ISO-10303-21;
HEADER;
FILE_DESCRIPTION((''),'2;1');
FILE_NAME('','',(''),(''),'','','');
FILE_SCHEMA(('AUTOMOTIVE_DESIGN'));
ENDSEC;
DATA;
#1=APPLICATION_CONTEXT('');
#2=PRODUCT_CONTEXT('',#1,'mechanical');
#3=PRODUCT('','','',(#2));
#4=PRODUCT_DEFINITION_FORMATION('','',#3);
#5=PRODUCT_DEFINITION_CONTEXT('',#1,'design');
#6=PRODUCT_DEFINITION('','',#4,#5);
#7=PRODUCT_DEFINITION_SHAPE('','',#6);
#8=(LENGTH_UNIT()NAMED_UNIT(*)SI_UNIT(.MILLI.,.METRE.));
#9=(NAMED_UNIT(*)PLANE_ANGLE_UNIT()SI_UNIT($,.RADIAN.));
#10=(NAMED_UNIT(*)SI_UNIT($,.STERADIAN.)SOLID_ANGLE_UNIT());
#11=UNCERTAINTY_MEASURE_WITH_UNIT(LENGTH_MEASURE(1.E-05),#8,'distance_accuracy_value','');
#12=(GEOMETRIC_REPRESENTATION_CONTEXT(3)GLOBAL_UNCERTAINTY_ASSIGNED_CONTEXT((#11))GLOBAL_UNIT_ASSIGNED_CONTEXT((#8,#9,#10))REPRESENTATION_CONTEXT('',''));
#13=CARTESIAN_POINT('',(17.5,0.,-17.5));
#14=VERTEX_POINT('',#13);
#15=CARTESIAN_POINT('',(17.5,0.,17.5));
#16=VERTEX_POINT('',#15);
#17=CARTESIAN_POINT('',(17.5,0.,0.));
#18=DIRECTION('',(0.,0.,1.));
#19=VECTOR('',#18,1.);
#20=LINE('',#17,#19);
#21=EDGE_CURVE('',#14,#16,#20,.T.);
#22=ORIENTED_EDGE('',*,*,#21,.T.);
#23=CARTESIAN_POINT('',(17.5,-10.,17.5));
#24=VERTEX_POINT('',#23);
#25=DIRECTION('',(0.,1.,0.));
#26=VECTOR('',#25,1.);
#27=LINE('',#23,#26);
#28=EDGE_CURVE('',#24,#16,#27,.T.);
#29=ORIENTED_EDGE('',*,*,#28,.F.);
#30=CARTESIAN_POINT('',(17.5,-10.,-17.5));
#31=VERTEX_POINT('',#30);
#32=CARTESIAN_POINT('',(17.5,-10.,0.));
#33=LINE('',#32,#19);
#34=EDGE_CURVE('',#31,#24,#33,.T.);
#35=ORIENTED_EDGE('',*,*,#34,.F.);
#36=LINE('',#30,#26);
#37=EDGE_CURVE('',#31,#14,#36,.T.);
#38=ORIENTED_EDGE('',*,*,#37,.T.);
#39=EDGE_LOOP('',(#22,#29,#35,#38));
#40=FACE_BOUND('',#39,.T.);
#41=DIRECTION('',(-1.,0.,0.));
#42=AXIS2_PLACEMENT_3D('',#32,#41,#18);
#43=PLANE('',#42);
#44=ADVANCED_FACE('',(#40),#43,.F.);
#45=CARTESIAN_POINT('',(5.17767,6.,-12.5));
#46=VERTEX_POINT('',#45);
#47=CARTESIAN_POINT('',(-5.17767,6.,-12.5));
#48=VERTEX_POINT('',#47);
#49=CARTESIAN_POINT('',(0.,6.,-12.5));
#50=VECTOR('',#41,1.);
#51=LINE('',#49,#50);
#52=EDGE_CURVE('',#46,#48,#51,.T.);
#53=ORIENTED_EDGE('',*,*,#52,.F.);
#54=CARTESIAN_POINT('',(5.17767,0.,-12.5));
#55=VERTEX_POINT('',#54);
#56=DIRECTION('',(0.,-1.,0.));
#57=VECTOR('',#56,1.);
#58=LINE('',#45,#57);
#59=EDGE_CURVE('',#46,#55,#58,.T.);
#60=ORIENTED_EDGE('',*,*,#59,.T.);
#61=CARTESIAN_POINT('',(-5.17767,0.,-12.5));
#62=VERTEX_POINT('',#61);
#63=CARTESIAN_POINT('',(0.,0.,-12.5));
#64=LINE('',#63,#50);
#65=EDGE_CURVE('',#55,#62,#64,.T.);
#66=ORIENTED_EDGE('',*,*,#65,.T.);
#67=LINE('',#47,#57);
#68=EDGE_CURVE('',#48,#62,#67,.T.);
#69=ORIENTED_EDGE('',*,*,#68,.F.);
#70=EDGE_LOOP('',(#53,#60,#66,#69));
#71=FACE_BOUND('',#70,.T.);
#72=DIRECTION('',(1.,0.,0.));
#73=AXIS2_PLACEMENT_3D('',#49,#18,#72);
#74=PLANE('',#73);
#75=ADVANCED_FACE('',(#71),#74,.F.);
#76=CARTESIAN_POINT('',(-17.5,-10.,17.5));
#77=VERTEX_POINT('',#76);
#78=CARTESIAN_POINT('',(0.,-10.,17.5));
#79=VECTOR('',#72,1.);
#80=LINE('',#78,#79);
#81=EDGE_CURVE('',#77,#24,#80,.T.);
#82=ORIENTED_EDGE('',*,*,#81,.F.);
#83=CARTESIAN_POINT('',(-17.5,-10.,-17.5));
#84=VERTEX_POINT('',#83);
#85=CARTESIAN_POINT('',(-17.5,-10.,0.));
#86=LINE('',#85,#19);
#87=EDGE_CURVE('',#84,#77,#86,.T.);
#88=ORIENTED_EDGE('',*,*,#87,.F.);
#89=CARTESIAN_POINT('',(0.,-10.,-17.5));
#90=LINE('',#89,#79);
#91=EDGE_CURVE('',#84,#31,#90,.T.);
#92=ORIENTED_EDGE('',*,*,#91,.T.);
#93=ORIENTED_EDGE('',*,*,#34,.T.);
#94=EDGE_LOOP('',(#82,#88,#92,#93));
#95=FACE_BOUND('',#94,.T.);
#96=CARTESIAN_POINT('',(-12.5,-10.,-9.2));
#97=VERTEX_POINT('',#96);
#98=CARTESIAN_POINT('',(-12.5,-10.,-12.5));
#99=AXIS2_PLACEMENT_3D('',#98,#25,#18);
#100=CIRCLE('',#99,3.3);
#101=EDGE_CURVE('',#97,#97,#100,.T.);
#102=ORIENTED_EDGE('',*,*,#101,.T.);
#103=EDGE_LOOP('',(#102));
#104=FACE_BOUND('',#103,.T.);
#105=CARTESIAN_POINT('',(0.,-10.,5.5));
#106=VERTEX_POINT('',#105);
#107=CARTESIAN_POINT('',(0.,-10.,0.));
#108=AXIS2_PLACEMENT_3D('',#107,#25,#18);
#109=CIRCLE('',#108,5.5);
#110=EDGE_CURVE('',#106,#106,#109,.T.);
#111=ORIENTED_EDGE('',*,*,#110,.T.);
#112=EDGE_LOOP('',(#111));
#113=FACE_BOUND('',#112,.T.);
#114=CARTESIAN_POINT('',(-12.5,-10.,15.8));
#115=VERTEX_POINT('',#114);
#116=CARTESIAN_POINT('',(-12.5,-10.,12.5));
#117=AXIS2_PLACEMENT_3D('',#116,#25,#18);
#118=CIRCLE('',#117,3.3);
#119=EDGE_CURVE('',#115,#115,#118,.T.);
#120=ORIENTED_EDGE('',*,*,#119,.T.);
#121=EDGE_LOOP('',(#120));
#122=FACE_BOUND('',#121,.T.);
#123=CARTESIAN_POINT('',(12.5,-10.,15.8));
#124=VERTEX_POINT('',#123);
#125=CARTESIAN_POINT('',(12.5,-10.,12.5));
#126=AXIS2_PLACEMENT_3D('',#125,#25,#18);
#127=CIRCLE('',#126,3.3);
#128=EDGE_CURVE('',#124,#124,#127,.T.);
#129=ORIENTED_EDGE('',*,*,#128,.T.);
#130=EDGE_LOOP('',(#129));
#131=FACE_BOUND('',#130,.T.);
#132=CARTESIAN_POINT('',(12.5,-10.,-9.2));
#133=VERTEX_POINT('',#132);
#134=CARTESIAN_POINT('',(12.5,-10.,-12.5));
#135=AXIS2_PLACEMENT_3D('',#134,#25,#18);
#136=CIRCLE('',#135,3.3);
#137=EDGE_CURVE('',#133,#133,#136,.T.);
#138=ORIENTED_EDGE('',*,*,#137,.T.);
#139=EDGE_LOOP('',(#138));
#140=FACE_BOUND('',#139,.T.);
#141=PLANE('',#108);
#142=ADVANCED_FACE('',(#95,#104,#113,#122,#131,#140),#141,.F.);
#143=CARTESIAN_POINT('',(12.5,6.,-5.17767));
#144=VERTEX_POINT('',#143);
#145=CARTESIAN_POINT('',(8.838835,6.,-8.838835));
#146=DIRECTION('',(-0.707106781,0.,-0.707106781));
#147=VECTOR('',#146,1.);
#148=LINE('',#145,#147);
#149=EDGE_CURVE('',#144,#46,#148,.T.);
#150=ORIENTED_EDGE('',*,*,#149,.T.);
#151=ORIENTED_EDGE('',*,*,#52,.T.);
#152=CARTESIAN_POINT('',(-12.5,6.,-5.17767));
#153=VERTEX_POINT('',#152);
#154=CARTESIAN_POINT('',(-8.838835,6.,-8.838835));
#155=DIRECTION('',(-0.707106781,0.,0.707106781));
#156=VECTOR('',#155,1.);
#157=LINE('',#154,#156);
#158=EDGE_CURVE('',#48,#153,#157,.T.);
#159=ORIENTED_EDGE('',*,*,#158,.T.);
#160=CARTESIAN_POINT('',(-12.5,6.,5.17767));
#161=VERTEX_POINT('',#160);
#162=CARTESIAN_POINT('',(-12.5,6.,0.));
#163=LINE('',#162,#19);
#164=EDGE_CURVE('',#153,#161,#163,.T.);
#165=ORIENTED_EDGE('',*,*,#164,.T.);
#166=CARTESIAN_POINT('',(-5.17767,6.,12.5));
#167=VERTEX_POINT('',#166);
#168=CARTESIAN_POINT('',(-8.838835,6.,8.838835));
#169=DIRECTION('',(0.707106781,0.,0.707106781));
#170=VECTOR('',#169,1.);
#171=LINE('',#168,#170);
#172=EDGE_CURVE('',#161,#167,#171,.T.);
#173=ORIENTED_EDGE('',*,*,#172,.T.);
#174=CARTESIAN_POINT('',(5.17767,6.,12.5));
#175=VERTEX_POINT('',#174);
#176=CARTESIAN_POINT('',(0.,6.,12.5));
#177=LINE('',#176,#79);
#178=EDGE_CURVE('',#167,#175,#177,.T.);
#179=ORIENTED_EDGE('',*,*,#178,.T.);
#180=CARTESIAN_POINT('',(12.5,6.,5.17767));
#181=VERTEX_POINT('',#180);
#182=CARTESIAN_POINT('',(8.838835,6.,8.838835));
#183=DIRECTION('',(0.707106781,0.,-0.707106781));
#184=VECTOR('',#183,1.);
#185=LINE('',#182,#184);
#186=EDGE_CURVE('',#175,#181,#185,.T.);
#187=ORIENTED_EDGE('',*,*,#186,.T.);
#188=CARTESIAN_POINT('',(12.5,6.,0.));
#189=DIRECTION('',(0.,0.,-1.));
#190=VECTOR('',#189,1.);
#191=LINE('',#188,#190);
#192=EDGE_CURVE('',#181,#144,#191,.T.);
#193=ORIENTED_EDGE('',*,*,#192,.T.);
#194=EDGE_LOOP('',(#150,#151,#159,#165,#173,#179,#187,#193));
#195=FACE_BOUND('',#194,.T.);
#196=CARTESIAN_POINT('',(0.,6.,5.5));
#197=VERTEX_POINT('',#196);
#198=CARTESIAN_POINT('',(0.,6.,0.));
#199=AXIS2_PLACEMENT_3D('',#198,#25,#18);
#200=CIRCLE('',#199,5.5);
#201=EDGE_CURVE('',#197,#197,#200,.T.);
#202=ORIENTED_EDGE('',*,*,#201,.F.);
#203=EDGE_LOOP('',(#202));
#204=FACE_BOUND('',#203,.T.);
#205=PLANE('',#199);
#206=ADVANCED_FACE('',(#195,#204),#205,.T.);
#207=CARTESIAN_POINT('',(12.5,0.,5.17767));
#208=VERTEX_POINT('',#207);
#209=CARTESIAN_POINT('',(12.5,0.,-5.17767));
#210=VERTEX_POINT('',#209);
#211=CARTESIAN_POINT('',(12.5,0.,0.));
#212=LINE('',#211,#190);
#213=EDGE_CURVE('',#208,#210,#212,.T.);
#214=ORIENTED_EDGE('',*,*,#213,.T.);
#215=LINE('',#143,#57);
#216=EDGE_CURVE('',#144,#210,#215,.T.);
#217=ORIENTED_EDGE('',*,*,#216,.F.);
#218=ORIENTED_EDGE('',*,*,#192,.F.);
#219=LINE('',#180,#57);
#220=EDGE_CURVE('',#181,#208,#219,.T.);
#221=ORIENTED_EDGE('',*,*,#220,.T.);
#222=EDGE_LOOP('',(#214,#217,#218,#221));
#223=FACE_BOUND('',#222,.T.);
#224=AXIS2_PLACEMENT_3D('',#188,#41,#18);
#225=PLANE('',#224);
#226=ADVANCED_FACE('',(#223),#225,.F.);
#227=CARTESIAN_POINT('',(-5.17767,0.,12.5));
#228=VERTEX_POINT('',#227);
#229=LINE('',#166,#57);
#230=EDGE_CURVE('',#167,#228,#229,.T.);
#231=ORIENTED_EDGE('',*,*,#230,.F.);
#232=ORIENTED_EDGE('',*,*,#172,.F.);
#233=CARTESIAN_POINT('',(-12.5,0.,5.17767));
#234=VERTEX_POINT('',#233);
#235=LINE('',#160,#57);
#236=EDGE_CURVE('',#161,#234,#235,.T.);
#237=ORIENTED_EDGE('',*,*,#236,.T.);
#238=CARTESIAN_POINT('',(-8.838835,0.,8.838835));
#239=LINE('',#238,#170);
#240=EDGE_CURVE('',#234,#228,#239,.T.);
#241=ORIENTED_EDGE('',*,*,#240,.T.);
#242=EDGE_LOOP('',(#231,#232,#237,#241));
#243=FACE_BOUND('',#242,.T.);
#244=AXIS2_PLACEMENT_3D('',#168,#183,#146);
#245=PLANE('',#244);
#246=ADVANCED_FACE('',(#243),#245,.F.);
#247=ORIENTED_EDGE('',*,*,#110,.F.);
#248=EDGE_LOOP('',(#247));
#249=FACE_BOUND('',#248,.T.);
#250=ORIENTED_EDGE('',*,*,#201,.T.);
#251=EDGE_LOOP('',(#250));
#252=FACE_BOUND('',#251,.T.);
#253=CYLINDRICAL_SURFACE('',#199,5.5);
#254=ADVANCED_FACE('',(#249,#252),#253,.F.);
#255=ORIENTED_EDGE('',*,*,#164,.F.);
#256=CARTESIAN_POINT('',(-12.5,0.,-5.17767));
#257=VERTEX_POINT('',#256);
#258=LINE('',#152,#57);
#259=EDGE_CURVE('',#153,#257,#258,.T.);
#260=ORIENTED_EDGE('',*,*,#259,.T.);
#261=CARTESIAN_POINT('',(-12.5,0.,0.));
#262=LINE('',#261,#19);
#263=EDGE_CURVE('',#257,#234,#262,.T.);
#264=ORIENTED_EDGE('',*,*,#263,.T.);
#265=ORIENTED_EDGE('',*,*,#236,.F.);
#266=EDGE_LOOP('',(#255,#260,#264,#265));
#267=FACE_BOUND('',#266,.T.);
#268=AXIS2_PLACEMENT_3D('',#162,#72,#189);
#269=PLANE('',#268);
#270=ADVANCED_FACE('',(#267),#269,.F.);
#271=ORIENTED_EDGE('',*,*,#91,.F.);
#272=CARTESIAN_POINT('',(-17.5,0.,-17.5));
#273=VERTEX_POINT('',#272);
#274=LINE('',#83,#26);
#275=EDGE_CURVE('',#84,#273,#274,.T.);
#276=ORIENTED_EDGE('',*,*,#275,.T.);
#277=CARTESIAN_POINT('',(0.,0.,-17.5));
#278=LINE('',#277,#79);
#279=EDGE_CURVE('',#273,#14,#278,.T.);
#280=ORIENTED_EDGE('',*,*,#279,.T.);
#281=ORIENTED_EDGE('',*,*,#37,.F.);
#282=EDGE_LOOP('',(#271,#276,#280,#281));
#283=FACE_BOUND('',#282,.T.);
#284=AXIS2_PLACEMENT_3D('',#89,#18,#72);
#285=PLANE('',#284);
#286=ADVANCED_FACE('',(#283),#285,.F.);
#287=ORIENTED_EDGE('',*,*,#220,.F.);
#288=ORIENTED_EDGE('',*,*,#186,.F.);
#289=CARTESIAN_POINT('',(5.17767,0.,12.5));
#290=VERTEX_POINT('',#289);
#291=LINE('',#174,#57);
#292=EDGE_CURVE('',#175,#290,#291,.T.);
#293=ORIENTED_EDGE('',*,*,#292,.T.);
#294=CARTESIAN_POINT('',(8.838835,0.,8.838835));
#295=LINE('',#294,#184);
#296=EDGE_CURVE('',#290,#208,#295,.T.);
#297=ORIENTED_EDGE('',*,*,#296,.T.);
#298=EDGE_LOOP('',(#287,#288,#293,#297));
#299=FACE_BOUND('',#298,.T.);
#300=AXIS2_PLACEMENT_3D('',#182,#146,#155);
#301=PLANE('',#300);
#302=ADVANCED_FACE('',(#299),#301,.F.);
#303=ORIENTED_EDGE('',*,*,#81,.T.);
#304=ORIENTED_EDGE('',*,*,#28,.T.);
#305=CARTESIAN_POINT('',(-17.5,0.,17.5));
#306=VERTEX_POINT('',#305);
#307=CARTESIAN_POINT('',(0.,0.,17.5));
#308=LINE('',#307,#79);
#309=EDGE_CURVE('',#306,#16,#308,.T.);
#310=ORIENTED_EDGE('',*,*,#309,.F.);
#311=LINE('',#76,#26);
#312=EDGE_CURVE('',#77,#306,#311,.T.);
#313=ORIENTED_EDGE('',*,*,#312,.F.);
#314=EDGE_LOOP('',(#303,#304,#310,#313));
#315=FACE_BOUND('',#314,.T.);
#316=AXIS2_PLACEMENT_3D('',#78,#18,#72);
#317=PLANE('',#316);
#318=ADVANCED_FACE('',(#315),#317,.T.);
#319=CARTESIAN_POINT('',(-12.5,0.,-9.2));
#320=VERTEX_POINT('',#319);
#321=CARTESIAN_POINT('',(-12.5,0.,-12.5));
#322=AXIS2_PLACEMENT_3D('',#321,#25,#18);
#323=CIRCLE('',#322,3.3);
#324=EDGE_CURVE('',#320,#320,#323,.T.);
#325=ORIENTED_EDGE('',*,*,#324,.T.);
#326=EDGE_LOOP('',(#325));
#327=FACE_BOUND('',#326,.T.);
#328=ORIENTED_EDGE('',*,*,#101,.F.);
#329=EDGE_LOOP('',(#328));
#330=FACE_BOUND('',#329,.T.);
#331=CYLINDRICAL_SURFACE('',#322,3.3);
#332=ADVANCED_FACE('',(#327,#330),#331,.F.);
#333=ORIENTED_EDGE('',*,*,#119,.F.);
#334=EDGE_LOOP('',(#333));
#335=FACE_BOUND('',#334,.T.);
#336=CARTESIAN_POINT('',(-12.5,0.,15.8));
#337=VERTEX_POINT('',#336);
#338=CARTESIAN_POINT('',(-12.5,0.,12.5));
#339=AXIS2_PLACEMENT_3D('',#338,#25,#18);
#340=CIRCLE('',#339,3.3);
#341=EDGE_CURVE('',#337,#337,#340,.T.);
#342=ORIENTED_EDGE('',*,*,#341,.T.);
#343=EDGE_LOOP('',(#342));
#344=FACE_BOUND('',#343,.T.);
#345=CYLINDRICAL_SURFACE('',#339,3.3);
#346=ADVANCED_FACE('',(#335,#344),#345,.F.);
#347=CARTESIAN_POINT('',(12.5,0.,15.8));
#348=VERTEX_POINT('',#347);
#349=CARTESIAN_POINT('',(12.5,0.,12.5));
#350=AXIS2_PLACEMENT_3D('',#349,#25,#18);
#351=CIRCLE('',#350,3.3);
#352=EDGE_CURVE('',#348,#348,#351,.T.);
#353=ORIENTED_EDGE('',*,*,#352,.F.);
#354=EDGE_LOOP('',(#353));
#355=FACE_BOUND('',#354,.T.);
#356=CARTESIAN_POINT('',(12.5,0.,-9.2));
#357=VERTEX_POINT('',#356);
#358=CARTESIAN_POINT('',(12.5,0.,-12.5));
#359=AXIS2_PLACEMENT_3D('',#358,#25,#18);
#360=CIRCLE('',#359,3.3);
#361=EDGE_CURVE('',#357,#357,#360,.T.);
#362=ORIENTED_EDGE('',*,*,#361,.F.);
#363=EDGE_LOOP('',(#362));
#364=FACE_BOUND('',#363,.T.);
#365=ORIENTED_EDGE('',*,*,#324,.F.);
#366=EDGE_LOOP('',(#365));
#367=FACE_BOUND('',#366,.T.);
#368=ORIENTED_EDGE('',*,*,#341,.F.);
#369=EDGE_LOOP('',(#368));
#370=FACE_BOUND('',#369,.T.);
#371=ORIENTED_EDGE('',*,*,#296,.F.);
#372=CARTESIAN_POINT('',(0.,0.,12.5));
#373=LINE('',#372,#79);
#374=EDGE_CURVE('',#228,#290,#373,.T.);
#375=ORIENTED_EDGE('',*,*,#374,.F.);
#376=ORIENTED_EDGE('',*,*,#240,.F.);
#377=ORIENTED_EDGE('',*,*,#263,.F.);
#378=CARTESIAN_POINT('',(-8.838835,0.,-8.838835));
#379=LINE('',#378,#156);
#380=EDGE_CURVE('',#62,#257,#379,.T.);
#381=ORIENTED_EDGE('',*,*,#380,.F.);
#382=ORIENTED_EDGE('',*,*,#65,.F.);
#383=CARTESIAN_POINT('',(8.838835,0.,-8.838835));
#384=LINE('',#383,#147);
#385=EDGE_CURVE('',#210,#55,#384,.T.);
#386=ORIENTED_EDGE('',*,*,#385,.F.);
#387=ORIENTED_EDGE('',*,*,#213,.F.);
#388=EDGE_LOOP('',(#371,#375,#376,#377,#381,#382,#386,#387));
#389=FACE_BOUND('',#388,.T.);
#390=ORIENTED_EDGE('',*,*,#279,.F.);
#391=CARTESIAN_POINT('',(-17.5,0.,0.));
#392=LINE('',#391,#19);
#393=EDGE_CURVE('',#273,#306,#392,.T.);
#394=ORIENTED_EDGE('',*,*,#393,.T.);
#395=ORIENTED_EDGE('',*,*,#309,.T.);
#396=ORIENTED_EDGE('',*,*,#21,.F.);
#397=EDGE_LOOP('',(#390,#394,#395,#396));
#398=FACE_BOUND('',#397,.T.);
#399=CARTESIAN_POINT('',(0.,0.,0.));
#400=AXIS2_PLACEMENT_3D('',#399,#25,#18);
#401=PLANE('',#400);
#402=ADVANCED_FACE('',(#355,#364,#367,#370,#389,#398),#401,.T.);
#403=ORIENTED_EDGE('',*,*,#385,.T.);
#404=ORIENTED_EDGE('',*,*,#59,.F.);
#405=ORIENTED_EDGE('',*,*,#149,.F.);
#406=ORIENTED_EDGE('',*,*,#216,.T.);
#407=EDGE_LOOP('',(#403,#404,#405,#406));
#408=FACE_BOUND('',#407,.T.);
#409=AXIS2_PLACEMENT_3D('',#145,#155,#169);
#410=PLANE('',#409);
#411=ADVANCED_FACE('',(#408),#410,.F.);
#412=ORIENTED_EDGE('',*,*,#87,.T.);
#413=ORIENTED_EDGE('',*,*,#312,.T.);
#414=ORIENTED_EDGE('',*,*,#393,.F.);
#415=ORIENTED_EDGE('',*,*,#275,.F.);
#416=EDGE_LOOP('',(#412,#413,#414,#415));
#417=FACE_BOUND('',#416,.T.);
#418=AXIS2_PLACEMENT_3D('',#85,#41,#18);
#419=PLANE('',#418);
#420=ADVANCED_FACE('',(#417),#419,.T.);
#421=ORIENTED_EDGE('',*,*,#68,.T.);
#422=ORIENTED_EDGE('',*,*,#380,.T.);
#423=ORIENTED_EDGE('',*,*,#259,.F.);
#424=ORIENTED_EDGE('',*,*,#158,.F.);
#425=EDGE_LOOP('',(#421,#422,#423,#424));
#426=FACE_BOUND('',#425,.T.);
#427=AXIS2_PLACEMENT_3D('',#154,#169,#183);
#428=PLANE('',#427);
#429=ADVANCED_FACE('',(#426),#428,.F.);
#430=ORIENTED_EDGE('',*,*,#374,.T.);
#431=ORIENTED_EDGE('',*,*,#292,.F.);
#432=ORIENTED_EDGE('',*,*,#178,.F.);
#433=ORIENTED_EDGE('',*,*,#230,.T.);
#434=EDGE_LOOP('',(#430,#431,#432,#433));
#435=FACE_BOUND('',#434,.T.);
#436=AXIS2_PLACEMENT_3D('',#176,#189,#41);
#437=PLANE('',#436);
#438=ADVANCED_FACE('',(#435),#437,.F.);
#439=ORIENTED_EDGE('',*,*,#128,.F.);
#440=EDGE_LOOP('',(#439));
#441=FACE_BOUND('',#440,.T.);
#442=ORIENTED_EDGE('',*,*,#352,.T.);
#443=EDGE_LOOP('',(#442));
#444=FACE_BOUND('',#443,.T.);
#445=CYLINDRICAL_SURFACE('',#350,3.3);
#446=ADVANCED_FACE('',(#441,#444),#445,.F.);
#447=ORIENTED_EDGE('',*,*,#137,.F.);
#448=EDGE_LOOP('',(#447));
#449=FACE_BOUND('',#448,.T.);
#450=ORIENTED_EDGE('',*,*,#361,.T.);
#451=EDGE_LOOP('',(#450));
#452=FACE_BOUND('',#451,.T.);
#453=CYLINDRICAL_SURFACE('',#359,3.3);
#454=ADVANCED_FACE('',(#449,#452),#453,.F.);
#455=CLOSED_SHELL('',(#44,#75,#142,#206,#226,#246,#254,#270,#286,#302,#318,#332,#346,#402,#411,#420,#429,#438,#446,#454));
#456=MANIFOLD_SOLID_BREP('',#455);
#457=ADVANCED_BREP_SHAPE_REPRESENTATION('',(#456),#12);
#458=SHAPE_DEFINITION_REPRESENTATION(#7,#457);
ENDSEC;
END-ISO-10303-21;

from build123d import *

# Parameters (mm, degrees)
SKETCH1_W             = 35
SKETCH1_H             = 35
BOSS_EXTRUDE1_DEPTH   = 10
BOSS_EXTRUDE2_DEPTH   = 6
M10_CLEARANCE_HOLE1_D = 11
M6_CLEARANCE_HOLE1_D  = 6.6
MIRROR2_COPY_1_D      = 6.6
MIRROR2_COPY_2_D      = 6.6


with BuildPart() as part:
    # Sketch1 → Boss-Extrude1 (new body)
    with BuildSketch(Plane(origin=(0, 0, 0), x_dir=(1, 0, 0), z_dir=(0, 1, 0))):
        Rectangle(SKETCH1_W, SKETCH1_H)
    extrude(amount=-BOSS_EXTRUDE1_DEPTH)

    # Sketch1<3> → Boss-Extrude2 (add)
    with BuildSketch(Plane(origin=(0, 0, 0), x_dir=(1, 0, 0), z_dir=(0, 1, 0))):
        Polygon((-5.17766953, -12.5), (5.17766953, -12.5), (12.5, -5.17766953), (12.5, 5.17766953), (5.17766953, 12.5), (-5.17766953, 12.5), (-12.5, 5.17766953), (-12.5, -5.17766953), align=None)
    extrude(amount=BOSS_EXTRUDE2_DEPTH)

    # M10 Clearance Hole1 (through all)
    with Locations(Plane(origin=(0, 6, 0), x_dir=(1, 0, 0), z_dir=(0, 1, 0))):
        with Locations((0, 0)):
            Hole(M10_CLEARANCE_HOLE1_D / 2)

    # M6 Clearance Hole1 (through all)
    with Locations(Plane(origin=(0, 0, 0), x_dir=(1, 0, 0), z_dir=(0, 1, 0))):
        with Locations((-12.5, 12.5)):
            m6_clearance_hole1 = Hole(M6_CLEARANCE_HOLE1_D / 2)

    # Mirror1: M6 Clearance Hole1 across plane
    add(m6_clearance_hole1.mirror(Plane(origin=(0, 0, 0), x_dir=(0, 0, 1), z_dir=(1, 0, 0))), mode=Mode.SUBTRACT)

    # Mirror2 copy 1 (through all)
    with Locations(Plane(origin=(0, 0, 0), x_dir=(-1, 0, 0), z_dir=(0, 1, 0))):
        with Locations((-12.5, 12.5)):
            Hole(MIRROR2_COPY_1_D / 2)

    # Mirror2 copy 2 (through all)
    with Locations(Plane(origin=(0, 0, 0), x_dir=(1, 0, 0), z_dir=(0, 1, 0))):
        with Locations((-12.5, -12.5)):
            Hole(MIRROR2_COPY_2_D / 2)


solid = part.part
